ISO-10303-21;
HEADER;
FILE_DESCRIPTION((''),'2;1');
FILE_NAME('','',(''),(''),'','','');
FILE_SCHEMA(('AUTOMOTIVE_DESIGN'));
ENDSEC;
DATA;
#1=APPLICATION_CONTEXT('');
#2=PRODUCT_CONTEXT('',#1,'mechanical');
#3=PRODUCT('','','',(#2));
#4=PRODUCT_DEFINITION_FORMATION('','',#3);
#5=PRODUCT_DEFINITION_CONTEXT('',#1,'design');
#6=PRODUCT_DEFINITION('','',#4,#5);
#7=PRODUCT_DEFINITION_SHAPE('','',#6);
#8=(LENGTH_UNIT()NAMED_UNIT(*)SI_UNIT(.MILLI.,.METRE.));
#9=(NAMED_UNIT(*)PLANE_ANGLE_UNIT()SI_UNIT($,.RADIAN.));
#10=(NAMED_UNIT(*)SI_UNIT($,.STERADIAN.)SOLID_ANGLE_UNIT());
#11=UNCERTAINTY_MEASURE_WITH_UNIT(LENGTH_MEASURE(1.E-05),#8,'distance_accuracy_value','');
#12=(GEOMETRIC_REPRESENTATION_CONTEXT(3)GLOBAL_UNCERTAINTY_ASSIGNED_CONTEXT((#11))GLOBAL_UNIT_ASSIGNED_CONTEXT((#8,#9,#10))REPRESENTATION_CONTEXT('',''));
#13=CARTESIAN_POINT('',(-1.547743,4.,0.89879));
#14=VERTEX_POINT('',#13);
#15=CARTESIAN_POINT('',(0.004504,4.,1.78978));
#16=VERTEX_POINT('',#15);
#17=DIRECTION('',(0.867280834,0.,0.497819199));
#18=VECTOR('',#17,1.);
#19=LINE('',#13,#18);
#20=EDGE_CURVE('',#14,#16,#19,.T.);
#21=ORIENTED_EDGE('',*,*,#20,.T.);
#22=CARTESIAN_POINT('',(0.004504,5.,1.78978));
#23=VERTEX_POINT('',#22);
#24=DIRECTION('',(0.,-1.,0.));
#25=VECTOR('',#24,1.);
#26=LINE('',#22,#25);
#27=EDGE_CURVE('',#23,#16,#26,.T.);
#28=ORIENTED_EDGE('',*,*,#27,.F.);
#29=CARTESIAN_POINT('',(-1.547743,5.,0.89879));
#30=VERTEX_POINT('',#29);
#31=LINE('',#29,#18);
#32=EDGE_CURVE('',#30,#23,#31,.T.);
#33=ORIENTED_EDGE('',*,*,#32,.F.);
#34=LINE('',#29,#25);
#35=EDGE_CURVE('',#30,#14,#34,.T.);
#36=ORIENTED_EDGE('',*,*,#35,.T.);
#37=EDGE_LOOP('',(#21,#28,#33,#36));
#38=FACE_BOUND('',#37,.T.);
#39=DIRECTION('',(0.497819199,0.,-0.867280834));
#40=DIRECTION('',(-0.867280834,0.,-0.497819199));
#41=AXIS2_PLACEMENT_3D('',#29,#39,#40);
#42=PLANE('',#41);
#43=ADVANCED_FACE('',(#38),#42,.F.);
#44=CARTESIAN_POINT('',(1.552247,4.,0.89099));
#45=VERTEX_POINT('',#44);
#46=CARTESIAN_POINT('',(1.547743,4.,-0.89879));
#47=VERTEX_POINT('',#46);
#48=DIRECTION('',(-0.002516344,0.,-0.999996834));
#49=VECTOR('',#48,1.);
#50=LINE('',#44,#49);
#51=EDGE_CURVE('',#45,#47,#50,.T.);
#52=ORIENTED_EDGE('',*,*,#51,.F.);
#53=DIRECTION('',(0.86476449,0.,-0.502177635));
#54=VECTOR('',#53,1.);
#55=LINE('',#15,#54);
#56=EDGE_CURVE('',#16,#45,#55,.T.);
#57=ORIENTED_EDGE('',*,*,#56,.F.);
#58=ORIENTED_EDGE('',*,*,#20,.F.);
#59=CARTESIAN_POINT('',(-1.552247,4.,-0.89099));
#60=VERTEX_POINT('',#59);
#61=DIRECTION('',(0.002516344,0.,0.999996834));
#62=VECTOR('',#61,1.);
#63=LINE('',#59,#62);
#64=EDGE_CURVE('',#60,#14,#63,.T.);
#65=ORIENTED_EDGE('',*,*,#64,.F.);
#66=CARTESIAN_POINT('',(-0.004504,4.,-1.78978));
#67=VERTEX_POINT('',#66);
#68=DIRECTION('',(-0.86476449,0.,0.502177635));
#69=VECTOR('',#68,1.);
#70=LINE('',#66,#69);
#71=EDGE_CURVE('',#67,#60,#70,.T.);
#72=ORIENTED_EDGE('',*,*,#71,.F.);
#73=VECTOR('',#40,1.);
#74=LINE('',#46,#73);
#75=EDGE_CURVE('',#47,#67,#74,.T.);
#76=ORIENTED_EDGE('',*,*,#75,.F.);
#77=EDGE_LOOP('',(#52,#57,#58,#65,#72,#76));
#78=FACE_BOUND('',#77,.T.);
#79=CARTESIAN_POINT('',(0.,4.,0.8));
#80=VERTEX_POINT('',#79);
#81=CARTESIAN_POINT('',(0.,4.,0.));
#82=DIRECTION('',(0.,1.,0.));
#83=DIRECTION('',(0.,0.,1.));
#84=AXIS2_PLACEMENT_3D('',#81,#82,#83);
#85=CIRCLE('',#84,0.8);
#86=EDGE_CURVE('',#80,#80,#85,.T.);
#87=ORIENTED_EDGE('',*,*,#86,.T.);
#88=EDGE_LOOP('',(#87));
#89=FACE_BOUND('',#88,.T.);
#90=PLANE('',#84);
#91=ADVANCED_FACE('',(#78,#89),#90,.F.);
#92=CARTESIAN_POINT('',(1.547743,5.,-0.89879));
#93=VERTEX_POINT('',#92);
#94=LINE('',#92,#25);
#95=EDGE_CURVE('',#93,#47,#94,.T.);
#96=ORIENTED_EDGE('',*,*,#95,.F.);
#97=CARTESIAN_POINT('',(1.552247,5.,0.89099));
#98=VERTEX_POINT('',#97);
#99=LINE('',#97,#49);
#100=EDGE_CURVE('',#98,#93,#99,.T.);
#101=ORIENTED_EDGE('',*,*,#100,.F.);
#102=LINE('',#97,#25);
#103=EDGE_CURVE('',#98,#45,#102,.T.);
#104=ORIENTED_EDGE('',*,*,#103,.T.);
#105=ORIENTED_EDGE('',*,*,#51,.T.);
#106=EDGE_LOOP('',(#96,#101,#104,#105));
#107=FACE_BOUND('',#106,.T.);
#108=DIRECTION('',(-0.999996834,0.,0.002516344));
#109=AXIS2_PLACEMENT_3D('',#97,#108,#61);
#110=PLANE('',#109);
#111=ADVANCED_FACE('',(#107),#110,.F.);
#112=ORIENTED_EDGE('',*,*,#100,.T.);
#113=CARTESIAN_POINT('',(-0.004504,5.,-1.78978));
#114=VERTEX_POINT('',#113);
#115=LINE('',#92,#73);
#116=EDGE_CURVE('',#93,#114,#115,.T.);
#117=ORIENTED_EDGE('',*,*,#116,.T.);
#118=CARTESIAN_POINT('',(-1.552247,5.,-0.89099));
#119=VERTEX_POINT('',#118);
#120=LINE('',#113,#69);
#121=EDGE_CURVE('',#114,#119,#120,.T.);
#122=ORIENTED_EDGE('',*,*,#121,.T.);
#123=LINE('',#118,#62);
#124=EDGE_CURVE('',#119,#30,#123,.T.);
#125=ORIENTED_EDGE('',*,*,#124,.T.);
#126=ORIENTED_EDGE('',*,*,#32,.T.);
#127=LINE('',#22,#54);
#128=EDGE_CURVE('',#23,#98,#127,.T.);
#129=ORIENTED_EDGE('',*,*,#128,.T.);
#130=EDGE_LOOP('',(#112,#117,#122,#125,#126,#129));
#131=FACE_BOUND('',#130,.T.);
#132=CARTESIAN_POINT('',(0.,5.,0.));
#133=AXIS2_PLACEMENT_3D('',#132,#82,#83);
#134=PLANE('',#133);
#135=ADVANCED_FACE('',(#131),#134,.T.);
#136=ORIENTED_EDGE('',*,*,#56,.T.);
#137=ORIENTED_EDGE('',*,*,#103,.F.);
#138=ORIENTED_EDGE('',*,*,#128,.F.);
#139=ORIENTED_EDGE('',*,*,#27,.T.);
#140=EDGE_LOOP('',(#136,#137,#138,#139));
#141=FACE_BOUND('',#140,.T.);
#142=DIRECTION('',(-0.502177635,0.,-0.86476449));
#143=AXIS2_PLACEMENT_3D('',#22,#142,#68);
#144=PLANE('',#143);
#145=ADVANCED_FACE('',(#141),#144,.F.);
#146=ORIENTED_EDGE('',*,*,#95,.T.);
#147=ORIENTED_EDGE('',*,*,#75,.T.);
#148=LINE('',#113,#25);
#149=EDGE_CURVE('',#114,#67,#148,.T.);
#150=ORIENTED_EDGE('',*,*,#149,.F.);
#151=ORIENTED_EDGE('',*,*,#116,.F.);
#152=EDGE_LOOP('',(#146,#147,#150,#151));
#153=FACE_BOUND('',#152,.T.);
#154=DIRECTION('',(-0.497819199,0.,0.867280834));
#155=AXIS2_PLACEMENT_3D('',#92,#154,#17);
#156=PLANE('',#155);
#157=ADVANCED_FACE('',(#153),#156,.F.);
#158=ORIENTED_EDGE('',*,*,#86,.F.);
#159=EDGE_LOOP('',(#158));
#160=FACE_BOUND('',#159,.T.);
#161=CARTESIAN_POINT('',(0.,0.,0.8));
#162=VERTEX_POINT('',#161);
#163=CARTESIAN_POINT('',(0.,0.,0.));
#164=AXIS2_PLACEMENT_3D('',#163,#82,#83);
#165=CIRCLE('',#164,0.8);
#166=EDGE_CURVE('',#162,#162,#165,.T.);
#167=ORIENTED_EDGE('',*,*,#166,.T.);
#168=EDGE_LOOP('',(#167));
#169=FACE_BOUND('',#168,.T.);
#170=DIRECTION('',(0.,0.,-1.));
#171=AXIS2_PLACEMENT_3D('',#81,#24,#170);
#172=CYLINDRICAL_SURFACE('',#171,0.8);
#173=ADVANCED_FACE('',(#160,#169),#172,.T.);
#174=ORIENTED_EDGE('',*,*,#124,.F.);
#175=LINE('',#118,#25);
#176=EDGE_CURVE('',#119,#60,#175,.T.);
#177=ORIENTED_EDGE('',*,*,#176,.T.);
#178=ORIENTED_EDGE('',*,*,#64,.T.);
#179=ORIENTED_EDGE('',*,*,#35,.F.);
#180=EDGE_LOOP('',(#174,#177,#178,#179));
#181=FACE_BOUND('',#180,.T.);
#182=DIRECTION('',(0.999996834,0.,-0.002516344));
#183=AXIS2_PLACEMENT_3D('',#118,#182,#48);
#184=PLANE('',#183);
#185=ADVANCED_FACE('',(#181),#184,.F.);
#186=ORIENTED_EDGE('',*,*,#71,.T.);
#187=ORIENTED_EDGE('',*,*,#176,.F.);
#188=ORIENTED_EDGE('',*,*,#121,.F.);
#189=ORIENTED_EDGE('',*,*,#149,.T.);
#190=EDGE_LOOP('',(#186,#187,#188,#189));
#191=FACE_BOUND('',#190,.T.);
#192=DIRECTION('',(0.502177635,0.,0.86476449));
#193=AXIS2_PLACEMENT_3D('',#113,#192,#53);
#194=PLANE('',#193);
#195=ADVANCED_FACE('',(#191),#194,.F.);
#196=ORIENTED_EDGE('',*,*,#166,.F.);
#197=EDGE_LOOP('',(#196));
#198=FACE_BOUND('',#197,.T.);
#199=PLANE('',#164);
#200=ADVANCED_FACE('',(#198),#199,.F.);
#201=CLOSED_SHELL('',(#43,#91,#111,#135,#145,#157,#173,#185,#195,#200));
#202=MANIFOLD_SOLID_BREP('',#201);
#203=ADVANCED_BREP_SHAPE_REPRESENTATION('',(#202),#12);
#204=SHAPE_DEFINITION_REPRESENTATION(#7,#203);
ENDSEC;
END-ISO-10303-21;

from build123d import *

# Parameters (mm, degrees)
SKETCH_1_R      = 0.8
EXTRUDE_1_DEPTH = 4
EXTRUDE_2_DEPTH = 1


with BuildPart() as part:
    # 草图1 → 凸台-拉伸1 (new body)
    with BuildSketch(Plane(origin=(0, 0, 0), x_dir=(1, 0, 0), z_dir=(0, 1, 0))):
        with Locations(Location((0, 0, 0), (0, 0, 270))):
            Circle(SKETCH_1_R)
    extrude(amount=EXTRUDE_1_DEPTH)

    # 草图2 → 凸台-拉伸2 (add)
    with BuildSketch(Plane(origin=(0, 4, 0), x_dir=(1, 0, 0), z_dir=(0, 1, 0))):
        Polygon((1.552246952, -0.89098975), (1.547743234, 0.898790418), (-0.004503718, 1.789780168), (-1.552246952, 0.89098975), (-1.547743234, -0.898790418), (0.004503718, -1.789780168), align=None)
    extrude(amount=EXTRUDE_2_DEPTH)


solid = part.part
